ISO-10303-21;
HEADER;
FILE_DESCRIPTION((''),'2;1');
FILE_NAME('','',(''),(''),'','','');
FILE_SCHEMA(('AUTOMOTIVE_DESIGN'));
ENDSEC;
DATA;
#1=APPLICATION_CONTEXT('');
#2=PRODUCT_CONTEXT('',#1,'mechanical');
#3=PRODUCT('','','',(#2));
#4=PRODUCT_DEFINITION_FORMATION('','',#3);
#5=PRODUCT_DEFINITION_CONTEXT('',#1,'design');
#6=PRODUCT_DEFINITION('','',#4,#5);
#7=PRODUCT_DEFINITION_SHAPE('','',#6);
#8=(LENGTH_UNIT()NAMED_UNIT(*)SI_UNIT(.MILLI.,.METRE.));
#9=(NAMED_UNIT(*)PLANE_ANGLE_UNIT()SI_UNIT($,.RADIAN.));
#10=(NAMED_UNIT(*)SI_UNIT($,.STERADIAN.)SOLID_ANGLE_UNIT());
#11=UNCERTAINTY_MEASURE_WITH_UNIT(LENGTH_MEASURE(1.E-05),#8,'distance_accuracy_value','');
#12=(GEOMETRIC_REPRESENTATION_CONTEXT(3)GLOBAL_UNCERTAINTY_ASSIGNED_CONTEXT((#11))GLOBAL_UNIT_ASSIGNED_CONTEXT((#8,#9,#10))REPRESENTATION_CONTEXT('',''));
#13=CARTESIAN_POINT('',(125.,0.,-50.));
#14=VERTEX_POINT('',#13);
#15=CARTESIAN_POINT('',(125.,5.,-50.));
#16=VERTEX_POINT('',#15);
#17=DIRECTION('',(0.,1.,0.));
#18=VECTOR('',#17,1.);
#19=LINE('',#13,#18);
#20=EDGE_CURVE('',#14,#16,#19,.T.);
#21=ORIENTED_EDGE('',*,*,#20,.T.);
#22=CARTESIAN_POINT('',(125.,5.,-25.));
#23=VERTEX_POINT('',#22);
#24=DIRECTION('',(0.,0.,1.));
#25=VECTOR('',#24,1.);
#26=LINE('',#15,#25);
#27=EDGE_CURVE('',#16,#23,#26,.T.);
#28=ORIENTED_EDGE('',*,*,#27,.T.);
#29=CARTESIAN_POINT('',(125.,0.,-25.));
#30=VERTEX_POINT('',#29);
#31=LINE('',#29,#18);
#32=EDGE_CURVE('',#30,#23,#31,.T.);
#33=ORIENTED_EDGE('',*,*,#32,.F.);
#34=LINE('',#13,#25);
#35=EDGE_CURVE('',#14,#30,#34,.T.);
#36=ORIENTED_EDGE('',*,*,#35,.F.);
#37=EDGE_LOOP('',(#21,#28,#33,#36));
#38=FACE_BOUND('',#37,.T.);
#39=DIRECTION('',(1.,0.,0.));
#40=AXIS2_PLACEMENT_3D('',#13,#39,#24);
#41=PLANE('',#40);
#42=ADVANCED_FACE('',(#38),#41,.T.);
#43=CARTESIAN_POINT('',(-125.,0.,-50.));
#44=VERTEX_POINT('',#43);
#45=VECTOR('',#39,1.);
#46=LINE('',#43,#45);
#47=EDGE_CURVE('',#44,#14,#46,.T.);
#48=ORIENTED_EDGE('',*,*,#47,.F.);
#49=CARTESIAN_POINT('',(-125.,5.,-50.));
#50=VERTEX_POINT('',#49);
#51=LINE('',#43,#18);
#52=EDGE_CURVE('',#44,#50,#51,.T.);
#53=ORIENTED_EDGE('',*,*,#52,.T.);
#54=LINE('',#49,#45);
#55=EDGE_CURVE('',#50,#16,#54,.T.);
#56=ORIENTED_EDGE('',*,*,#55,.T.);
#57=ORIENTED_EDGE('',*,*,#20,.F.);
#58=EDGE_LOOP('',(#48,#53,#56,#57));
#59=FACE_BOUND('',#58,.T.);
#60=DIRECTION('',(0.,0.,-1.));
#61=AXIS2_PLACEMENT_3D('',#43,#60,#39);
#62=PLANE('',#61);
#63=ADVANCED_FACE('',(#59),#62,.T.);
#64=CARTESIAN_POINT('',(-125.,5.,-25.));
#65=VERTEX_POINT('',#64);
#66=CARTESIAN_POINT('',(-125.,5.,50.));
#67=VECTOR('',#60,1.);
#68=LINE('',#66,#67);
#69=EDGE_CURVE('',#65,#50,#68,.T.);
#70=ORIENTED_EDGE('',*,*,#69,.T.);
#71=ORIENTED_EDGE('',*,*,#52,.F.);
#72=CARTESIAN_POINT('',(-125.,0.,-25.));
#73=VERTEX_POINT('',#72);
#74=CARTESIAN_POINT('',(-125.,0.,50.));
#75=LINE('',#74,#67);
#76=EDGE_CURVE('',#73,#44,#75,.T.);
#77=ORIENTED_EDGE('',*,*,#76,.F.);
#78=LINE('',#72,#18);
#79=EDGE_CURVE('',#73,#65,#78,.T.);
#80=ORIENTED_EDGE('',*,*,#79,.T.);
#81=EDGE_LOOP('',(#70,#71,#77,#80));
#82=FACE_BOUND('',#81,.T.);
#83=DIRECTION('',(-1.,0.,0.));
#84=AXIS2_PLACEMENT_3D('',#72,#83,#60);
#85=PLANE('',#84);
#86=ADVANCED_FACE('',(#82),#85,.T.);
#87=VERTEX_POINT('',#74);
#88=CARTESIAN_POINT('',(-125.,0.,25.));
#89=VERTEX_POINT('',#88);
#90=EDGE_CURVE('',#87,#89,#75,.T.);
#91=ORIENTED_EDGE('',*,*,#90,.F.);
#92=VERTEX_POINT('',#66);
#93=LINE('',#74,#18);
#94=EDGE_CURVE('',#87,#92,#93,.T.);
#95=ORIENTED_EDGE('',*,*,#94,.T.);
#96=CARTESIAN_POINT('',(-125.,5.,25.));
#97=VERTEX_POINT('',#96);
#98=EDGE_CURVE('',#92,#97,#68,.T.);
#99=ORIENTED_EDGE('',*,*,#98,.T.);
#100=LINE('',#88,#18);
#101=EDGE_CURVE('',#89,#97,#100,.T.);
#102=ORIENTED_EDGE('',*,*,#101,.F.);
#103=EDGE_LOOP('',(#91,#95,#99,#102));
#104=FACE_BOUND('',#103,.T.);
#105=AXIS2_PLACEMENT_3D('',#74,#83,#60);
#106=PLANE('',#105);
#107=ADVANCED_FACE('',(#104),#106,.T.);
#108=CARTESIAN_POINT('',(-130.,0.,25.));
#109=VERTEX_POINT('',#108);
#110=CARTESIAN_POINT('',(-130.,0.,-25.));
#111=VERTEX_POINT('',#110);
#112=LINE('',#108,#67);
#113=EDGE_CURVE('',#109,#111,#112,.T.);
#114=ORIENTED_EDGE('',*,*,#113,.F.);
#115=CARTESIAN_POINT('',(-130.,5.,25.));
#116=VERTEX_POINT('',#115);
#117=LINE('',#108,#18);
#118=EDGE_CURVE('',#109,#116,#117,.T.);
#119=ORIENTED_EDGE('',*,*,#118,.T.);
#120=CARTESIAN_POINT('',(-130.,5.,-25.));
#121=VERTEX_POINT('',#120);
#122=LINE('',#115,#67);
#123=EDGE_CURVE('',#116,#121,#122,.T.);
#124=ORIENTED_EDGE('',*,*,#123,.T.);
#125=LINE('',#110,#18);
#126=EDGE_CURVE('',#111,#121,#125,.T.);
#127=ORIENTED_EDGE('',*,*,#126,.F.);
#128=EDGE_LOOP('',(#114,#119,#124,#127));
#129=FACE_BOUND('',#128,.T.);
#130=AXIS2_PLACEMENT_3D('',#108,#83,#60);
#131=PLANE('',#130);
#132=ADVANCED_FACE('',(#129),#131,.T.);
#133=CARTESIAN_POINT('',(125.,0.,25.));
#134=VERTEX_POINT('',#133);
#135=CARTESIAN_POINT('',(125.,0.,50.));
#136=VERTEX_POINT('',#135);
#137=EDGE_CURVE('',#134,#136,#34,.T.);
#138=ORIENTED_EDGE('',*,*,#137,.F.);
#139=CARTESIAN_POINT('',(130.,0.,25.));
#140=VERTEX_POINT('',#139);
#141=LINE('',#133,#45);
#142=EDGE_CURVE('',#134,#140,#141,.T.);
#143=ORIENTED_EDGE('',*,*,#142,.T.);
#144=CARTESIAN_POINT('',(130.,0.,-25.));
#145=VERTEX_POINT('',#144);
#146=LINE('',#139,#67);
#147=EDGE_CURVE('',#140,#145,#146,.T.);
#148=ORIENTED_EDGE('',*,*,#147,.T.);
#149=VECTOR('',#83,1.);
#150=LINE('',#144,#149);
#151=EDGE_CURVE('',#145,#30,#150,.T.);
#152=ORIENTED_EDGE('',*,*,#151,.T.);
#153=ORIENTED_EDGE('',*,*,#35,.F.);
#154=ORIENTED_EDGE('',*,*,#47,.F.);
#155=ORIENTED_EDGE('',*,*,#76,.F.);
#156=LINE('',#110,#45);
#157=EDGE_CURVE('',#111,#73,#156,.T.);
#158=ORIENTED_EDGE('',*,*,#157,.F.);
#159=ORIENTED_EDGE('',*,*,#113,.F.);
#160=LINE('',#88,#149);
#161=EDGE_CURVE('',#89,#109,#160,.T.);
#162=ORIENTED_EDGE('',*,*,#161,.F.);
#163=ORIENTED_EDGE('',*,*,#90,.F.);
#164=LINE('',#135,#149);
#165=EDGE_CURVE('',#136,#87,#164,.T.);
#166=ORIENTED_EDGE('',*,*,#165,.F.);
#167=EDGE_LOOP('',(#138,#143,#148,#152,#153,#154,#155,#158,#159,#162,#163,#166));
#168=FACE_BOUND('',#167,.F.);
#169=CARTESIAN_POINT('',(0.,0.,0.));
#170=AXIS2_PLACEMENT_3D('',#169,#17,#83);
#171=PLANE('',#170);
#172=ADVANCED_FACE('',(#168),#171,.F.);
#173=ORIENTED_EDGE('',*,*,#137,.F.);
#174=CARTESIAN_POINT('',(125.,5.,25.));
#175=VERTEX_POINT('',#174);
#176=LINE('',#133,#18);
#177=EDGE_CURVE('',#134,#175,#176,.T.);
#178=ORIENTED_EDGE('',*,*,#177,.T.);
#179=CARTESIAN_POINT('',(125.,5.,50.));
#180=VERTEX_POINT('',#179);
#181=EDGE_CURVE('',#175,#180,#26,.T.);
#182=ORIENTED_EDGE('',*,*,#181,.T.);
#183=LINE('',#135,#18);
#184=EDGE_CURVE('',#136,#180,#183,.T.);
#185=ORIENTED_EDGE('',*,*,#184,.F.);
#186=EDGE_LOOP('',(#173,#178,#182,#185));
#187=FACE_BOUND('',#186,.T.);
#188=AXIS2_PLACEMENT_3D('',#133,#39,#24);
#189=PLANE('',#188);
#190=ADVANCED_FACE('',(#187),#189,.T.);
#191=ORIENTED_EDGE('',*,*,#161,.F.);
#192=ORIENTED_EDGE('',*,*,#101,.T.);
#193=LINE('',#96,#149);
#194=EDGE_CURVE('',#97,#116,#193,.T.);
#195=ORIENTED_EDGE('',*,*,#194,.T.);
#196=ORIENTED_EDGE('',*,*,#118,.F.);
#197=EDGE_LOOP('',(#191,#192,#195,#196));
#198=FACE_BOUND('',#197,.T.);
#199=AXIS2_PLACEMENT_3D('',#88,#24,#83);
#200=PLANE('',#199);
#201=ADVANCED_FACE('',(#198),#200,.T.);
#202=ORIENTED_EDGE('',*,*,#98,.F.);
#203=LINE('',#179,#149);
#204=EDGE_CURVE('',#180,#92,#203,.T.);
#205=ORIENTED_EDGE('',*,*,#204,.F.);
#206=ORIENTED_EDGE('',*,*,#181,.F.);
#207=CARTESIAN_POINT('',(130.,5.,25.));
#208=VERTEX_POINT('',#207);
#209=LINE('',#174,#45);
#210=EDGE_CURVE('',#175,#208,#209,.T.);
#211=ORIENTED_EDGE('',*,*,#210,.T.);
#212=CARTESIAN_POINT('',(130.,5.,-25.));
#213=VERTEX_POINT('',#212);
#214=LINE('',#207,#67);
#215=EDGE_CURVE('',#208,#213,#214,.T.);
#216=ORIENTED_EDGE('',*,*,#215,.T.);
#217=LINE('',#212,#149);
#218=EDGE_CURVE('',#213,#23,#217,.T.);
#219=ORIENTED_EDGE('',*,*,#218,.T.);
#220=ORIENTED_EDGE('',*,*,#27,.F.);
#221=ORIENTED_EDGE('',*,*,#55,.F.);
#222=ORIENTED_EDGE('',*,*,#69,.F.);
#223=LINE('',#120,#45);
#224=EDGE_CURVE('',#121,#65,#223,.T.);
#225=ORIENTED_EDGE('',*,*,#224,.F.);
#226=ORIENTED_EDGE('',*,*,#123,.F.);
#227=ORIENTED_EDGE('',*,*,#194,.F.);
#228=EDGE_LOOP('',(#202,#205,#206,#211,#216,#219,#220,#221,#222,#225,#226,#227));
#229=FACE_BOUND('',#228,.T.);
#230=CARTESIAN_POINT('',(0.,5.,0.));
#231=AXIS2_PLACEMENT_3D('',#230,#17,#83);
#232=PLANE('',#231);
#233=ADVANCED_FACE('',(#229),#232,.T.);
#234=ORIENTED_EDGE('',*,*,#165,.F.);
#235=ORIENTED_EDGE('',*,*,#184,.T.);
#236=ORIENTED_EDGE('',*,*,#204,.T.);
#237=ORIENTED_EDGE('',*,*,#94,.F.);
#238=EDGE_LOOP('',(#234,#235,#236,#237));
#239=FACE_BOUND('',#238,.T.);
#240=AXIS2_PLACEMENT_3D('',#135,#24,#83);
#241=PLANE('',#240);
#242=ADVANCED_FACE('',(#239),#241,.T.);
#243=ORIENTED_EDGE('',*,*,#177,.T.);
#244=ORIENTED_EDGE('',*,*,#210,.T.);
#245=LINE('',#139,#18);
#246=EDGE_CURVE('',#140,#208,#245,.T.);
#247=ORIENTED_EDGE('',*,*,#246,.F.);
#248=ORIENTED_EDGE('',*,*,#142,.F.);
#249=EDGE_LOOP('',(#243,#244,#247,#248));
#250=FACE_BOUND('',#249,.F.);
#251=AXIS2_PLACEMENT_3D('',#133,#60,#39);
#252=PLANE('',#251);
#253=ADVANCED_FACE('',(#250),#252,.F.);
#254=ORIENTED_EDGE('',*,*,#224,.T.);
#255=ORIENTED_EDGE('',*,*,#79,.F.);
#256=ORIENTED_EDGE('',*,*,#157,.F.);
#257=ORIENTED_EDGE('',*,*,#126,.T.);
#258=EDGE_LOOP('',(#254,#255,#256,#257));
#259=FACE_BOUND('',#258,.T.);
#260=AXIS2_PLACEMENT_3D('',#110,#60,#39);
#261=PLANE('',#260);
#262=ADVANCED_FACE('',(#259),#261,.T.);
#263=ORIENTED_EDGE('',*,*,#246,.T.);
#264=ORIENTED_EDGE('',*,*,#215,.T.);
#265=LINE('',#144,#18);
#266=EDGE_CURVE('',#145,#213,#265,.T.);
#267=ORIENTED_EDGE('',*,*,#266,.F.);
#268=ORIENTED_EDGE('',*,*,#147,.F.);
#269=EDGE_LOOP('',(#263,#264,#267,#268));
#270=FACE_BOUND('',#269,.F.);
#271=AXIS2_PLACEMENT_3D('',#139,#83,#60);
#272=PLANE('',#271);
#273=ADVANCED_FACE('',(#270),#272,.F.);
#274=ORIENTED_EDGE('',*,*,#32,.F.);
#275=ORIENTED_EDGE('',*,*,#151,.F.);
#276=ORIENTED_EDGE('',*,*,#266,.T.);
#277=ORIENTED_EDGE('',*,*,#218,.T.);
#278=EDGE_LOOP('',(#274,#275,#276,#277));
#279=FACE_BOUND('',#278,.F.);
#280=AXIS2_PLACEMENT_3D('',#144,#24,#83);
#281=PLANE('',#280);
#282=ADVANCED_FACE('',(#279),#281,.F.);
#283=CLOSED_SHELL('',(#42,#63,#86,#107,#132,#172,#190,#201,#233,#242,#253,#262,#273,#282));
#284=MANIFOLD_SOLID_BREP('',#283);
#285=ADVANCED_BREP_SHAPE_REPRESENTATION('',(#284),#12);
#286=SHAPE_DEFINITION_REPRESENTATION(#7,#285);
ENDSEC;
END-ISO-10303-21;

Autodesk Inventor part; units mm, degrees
ref_plane "YZ Plane" through (0, 0, 0) normal (1, 0, 0) x (0, 1, 0)
ref_plane "XZ Plane" through (0, 0, 0) normal (0, 1, 0) x (-1, 0, 0)
ref_plane "XY Plane" through (0, 0, 0) normal (0, 0, 1) x (1, 0, 0)
sketch "Sketch1" plane through (0, 0, 0) normal (0, 1, 0) x (-1, 0, 0)
  line L0 (-125, 50) -> (125, 50)
  line L1 (125, 50) -> (125, -50)
  line L2 (125, -50) -> (-125, -50)
  line L3 (-125, -50) -> (-125, 50)
  line L4 (-125, 50) -> (125, -50) construction
  line L5 (125, 50) -> (-125, -50) construction
  line L6 (0, 50) -> (0, -50) construction
  line L7 (125, 25) -> (130, 25)
  line L8 (130, 25) -> (130, -25)
  line L9 (130, -25) -> (125, -25)
  line L10 (125, -25) -> (125, 25)
  line L11 (-125, 25) -> (-130, 25)
  line L12 (-130, 25) -> (-130, -25)
  line L13 (-130, -25) -> (-125, -25)
  point P0 (0, 0)
  dimension "d0" = 100
  dimension "d1" = 250
  dimension "d2" = 50
  dimension "d3" = 5
  dimension "d4" = 25
extrude "Extrusion1" add sketch "Sketch1" along normal blind 5
equation "\"BendRadius\" = Thickness"
equation "\"BendReliefWidth\" = Thickness"
equation "\"BendReliefDepth\" = 0.5 * Thickness"
equation "\"CornerReliefSize\" = 4 * Thickness"
equation "\"MinimumRemnant\" = 2 * Thickness"
equation "\"TransitionRadius\" = BendRadius"
equation "\"JacobiRadiusSize\" = BendRadius"
equation "\"GapSize\" = Thickness"
equation "\"Thickness\" = 3.048"
properties part number "Tapa2" material "Wood (Cherry)"
